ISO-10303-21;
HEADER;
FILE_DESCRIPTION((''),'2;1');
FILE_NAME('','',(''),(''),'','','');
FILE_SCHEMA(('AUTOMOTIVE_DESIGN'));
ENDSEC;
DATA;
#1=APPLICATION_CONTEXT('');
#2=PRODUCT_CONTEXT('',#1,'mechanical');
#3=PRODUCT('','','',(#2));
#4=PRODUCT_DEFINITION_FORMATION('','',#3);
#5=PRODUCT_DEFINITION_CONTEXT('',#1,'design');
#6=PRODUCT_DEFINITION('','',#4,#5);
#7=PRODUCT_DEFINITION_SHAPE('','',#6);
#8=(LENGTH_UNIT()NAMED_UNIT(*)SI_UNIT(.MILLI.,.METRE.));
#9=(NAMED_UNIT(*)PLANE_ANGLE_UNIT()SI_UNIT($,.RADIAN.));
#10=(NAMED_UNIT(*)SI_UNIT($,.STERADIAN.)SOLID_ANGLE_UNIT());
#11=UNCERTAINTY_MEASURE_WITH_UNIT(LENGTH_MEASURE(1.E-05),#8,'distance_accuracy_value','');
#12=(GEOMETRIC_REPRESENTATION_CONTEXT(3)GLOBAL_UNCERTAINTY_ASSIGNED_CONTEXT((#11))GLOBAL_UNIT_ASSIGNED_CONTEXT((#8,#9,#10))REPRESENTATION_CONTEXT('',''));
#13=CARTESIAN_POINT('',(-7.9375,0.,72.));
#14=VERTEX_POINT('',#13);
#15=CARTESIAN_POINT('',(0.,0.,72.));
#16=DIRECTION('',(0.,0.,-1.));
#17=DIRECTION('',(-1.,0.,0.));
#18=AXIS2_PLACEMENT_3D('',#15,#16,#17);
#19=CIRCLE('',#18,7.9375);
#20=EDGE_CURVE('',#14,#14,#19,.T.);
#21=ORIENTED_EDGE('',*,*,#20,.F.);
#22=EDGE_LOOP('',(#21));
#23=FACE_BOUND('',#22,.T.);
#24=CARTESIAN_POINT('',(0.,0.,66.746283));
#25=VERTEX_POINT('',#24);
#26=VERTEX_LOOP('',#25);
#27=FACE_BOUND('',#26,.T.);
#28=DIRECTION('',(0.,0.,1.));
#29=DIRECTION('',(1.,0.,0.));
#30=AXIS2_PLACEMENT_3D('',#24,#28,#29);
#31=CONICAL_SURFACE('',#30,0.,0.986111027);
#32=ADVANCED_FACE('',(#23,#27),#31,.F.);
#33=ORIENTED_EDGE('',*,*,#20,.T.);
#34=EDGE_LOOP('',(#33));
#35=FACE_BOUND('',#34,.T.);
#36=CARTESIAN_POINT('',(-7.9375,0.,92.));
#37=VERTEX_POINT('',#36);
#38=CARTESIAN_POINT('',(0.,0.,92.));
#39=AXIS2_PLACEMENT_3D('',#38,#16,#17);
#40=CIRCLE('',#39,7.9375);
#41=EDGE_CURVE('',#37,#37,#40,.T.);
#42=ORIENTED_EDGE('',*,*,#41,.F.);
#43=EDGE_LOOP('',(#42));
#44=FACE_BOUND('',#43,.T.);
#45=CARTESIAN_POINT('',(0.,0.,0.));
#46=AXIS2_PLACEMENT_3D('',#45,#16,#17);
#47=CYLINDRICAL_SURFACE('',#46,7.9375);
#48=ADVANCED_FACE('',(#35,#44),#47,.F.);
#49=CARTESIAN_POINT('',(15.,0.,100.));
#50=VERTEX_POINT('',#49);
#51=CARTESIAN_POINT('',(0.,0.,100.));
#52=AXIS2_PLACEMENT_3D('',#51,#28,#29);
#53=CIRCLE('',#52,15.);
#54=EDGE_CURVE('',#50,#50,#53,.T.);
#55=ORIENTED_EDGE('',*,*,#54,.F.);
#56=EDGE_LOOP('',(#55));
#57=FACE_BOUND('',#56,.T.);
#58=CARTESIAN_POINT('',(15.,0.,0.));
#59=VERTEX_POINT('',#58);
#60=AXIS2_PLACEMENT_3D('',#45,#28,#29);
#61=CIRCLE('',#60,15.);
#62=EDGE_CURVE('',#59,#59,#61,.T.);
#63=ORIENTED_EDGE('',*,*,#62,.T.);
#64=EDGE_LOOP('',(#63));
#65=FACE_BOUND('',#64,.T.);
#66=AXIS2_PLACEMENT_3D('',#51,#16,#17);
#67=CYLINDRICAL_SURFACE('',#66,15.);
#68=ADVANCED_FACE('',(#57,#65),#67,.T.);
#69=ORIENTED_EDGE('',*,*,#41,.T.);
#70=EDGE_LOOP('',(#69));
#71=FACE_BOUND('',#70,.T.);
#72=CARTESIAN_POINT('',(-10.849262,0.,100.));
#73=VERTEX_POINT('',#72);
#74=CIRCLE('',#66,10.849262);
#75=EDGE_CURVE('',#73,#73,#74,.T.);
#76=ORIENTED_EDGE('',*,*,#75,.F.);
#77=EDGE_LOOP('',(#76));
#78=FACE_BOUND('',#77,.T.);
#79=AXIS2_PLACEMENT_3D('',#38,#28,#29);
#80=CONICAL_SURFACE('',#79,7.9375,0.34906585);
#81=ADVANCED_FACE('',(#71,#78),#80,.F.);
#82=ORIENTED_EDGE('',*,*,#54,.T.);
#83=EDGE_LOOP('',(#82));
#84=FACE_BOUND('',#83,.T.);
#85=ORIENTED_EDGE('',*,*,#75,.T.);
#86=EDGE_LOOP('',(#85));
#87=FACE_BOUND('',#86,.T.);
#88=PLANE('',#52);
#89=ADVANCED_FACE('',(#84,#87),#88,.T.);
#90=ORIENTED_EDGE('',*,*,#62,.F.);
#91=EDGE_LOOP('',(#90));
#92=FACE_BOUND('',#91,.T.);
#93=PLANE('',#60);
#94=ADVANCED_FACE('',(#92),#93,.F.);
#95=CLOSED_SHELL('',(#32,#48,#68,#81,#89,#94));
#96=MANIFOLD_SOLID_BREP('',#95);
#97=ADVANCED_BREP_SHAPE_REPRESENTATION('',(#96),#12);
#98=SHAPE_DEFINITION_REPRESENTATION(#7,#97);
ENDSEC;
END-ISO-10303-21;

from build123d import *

# Parameters (mm, degrees)
SKIZZE1_R                       = 15
AUFSATZ_LINEAR_AUSTRAGEN1_DEPTH = 100


with BuildPart() as part:
    # Skizze1 → Aufsatz-Linear austragen1 (new body)
    with BuildSketch(Plane.XY):
        Circle(SKIZZE1_R)
    extrude(amount=AUFSATZ_LINEAR_AUSTRAGEN1_DEPTH)

    # Skizze3 → Schnitt-Rotation1 (revolve, cut)
    with BuildSketch(Plane(origin=(0, 0, 0), x_dir=(0, 0, -1), z_dir=(1, 0, 0)), mode=Mode.PRIVATE) as schnitt_rotation1_sk:
        Polygon((-100, 0), (-100, 10.849261874), (-92, 7.9375), (-72, 7.9375), (-66.746283358, 0), align=None)
    revolve(schnitt_rotation1_sk.sketch.rotate(Axis((0, 0, 0), (0, 0, 1)), 270), axis=Axis((0, 0, 0), (0, 0, 1)), mode=Mode.SUBTRACT)  # turned: the seam where the file's is


solid = part.part
